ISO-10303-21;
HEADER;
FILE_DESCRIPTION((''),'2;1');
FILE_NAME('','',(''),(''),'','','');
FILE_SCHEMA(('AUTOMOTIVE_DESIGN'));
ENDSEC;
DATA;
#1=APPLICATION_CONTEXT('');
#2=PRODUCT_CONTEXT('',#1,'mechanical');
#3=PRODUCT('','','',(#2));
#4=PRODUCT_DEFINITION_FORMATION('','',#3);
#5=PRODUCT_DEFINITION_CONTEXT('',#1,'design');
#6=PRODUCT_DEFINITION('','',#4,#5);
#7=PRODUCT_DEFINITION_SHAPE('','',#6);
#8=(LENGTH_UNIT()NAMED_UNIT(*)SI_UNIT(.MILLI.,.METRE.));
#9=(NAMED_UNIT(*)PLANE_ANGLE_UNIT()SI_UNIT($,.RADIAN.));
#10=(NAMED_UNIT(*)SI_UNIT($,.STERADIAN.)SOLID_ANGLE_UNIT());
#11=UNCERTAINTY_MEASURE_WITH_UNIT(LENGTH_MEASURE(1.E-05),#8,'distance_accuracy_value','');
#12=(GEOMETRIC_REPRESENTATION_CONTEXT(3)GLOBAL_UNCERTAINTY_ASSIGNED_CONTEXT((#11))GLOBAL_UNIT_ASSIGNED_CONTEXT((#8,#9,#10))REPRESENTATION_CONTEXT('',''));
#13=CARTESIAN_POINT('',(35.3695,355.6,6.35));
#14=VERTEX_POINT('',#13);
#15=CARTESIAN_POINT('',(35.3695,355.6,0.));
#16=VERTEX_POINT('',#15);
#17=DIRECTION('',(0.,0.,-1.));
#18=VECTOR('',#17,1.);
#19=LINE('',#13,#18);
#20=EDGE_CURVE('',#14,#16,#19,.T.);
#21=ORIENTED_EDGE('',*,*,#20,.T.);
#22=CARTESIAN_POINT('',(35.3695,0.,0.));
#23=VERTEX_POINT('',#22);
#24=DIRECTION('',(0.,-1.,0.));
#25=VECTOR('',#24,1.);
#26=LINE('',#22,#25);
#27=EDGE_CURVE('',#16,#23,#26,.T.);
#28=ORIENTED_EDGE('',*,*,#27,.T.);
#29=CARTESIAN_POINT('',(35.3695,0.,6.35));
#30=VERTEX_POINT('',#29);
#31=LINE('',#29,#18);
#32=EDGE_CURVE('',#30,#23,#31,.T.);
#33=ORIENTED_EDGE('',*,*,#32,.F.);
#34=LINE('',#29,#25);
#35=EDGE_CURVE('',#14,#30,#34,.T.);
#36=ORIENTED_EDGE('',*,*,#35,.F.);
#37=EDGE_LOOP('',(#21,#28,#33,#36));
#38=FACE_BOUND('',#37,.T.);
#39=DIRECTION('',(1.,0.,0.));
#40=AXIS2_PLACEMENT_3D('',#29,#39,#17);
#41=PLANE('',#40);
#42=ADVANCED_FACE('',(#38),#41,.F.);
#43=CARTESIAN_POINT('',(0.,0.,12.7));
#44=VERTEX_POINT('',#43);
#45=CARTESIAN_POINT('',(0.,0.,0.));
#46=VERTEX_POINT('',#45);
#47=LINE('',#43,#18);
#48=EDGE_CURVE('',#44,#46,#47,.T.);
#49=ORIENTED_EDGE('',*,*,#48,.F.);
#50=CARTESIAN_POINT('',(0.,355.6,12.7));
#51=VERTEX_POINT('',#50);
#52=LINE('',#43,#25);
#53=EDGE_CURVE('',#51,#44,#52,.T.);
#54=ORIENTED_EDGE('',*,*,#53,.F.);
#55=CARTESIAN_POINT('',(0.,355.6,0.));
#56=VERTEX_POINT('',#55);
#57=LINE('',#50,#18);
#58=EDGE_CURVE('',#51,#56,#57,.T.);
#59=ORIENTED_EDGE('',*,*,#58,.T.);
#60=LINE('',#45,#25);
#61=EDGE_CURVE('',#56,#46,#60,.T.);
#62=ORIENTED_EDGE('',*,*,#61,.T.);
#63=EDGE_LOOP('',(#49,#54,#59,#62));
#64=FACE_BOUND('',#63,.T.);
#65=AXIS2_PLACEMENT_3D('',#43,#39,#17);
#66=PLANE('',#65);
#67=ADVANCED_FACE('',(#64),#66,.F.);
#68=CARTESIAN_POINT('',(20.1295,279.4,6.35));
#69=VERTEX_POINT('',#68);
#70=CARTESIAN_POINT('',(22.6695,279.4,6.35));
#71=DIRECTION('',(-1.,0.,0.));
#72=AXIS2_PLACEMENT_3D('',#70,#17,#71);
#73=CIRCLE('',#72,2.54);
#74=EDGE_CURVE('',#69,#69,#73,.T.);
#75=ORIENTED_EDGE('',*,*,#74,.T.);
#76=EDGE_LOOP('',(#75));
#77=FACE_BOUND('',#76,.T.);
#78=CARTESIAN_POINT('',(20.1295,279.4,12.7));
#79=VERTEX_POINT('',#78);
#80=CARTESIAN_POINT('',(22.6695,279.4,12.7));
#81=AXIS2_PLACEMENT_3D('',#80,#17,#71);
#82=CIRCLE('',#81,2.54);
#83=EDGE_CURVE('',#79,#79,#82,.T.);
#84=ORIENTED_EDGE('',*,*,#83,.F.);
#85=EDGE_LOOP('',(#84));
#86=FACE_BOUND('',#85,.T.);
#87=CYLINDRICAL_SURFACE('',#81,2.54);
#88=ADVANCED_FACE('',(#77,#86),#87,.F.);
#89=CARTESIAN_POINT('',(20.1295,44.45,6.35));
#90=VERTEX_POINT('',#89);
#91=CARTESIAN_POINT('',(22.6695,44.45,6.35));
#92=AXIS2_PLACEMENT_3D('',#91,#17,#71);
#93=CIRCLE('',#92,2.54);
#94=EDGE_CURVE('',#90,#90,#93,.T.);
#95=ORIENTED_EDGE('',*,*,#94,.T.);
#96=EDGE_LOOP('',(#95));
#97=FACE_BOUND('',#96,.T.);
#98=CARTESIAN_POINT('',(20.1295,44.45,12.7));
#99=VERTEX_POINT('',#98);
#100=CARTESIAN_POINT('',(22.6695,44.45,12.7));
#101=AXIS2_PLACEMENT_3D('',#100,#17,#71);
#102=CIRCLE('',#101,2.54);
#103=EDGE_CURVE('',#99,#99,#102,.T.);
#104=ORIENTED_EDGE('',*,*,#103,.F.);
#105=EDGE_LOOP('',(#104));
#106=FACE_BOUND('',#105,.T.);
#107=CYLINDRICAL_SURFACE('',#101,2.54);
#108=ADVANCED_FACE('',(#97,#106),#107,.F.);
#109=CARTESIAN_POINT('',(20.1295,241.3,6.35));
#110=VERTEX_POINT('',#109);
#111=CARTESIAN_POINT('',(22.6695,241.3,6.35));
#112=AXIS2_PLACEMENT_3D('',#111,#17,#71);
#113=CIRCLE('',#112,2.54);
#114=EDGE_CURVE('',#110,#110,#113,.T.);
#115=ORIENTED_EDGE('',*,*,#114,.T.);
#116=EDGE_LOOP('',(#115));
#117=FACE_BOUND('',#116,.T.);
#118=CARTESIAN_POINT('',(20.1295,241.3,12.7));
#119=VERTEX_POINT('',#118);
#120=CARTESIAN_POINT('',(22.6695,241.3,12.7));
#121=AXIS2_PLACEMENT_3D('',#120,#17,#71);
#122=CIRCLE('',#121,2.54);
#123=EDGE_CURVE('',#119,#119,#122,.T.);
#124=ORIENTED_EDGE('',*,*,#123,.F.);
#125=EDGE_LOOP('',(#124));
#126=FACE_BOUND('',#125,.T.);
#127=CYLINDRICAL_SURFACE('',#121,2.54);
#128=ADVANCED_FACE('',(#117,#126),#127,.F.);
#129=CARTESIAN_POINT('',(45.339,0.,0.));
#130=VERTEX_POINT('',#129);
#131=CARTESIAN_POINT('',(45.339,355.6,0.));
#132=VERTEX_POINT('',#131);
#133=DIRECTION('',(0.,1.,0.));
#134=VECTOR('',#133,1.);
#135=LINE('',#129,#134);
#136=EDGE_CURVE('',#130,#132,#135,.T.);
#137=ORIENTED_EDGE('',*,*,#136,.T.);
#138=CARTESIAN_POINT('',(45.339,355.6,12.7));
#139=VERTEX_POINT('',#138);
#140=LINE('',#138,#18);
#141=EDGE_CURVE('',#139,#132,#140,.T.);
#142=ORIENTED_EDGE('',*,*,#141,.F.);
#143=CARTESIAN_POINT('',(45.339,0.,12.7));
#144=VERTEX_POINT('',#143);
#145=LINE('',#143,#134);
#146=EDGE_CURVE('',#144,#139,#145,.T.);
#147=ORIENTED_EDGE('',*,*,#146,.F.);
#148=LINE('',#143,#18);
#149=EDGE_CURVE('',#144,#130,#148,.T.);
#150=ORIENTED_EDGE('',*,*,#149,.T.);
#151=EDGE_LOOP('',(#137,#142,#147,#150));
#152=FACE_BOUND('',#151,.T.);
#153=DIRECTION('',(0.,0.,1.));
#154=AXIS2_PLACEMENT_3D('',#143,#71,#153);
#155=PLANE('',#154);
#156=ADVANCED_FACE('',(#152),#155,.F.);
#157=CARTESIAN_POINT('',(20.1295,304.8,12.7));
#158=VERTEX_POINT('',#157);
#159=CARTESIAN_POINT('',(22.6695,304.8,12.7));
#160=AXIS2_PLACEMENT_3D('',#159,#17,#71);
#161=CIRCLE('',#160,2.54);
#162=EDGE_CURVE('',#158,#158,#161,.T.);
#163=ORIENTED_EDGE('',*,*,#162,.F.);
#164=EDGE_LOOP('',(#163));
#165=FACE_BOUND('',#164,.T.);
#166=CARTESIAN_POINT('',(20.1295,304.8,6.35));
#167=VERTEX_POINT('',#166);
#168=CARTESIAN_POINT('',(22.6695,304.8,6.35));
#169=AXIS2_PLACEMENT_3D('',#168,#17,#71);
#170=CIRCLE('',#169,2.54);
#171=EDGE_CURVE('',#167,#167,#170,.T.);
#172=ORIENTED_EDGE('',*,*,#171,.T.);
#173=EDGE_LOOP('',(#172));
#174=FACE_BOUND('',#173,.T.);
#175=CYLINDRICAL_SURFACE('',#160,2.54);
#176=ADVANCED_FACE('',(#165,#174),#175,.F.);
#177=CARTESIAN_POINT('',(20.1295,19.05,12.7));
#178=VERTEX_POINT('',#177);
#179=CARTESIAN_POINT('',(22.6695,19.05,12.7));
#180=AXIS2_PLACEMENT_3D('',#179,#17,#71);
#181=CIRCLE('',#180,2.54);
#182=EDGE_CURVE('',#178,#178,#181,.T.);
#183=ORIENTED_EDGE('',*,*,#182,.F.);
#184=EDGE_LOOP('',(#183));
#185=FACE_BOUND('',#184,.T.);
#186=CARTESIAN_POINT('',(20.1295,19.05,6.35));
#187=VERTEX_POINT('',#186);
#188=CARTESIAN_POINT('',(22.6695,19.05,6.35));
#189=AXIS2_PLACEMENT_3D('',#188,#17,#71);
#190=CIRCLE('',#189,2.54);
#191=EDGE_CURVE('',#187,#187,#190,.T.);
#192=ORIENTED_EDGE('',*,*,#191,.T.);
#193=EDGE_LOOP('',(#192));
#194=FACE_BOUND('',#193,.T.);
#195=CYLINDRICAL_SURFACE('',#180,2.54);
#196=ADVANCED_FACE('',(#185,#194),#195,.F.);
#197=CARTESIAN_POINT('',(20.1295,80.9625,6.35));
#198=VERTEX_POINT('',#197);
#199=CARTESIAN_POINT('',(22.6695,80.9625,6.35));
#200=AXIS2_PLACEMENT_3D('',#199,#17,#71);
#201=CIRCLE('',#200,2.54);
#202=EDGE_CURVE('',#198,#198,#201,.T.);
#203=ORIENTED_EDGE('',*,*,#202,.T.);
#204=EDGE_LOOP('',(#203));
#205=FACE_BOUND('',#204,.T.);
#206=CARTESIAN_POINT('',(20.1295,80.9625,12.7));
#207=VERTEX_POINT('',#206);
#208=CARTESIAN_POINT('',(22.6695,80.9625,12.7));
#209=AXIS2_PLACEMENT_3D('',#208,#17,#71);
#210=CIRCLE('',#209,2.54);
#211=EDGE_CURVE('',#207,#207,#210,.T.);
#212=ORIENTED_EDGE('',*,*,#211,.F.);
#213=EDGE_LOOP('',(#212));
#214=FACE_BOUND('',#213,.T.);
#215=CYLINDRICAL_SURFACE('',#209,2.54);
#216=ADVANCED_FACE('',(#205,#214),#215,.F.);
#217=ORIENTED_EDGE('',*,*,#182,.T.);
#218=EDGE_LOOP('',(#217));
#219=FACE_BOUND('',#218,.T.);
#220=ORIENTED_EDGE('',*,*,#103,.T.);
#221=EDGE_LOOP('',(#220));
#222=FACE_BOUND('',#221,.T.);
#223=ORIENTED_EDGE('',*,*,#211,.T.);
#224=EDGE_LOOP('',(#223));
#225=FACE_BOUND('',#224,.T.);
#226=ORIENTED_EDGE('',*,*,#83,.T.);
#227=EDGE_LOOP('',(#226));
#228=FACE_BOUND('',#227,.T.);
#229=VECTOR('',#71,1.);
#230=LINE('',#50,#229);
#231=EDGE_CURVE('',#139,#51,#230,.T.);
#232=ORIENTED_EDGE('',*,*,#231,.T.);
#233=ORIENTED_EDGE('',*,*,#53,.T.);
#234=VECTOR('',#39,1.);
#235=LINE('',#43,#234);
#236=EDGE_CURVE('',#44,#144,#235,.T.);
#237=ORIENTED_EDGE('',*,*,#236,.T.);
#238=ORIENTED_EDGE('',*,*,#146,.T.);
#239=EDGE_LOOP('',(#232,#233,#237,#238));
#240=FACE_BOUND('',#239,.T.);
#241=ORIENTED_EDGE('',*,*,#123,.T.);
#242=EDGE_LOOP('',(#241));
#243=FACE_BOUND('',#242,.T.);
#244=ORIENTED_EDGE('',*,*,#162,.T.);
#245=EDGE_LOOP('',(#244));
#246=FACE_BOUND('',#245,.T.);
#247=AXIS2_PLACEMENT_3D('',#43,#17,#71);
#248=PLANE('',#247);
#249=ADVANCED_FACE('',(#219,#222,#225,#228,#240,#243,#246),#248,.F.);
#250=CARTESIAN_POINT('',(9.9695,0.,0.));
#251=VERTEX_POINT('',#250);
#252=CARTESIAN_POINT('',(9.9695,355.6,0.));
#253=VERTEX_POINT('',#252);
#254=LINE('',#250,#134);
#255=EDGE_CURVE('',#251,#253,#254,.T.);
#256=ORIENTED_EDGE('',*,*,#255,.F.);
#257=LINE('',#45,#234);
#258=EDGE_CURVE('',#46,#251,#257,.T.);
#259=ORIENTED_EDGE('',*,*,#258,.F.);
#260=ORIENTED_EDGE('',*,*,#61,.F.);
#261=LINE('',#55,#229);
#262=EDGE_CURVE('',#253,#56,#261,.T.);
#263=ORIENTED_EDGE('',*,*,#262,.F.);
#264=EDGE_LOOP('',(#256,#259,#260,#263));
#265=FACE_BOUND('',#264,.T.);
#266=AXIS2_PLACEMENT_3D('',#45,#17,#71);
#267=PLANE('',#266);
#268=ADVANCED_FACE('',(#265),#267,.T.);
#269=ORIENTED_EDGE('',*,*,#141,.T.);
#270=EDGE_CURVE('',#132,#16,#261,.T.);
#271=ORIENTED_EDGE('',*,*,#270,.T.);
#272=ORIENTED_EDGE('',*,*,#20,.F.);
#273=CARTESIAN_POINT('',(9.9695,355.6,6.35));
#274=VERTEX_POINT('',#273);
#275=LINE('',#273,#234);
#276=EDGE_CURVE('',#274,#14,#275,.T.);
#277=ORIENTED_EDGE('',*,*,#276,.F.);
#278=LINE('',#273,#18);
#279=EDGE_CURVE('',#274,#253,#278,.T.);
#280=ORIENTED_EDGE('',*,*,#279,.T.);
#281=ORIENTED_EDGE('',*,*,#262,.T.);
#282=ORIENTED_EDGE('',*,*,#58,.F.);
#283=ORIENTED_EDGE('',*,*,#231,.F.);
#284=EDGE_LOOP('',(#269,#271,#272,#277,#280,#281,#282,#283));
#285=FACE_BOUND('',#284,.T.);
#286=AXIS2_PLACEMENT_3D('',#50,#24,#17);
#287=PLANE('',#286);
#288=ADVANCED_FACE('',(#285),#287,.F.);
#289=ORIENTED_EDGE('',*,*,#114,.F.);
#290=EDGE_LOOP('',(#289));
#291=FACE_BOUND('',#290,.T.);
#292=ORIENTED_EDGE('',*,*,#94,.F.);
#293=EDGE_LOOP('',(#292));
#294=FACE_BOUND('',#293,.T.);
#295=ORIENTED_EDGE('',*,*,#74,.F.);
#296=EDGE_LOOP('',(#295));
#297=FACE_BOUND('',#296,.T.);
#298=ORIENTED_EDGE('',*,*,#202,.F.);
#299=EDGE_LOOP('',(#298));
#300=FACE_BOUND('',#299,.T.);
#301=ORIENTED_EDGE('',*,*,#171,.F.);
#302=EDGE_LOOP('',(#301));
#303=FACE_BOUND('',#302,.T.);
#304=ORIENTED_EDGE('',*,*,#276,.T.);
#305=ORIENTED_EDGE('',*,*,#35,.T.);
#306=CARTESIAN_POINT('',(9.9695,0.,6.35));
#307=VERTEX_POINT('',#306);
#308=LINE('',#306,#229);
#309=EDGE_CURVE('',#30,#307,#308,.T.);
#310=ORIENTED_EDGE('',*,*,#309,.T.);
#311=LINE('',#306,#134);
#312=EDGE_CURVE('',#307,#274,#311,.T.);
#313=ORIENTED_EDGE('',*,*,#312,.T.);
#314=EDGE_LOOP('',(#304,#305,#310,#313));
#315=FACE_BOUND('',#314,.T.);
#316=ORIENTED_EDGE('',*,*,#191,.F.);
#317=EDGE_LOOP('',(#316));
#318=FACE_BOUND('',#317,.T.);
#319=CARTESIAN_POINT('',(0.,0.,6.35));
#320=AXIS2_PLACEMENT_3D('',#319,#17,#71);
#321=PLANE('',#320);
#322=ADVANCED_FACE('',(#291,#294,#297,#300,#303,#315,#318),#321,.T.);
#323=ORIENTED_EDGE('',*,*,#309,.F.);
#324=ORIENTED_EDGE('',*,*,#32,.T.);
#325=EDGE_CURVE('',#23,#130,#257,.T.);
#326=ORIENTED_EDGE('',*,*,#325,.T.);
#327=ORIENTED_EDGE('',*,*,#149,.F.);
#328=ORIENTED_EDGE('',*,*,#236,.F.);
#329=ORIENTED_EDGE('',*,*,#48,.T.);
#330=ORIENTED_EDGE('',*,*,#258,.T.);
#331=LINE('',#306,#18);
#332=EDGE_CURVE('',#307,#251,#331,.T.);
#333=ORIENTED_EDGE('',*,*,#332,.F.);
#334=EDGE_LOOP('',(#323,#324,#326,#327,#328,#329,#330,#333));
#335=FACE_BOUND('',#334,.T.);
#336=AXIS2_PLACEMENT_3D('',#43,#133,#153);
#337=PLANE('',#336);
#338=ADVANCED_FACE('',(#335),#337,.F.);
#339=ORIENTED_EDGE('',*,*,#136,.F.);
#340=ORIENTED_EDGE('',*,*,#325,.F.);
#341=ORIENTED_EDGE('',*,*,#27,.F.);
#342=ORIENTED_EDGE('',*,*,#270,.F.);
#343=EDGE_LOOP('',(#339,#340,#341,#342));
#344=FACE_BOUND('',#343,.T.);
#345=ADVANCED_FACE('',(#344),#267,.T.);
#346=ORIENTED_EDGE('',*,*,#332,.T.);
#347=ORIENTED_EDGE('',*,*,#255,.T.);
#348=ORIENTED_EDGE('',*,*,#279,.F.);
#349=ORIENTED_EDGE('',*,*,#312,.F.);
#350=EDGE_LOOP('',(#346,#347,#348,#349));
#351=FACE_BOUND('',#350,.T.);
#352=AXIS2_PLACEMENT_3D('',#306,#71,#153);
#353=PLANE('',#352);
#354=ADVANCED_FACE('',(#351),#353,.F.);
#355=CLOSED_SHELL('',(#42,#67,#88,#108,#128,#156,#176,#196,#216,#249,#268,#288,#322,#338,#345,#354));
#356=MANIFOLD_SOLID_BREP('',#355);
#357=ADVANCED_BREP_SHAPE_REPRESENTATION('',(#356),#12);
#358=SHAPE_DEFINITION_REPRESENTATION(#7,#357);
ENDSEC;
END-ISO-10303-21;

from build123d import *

# Parameters (mm, degrees)
SKETCH1_W           = 45.339
SKETCH1_H           = 355.6
BOSS_EXTRUDE1_DEPTH = 12.7
SKETCH2_W           = 25.4
SKETCH2_H           = 355.6
CUT_EXTRUDE1_DEPTH  = 6.35
SKETCH3_R           = 2.54
CUT_EXTRUDE2_DEPTH  = 7.35


with BuildPart() as part:
    # Sketch1 → Boss-Extrude1 (new body)
    with BuildSketch(Plane.XY):
        with Locations((22.6695, 177.8)):
            Rectangle(SKETCH1_W, SKETCH1_H)
    extrude(amount=BOSS_EXTRUDE1_DEPTH)

    # Sketch2 → Cut-Extrude1 (cut)
    with BuildSketch(Plane(origin=(0, 0, 0), x_dir=(-1, 0, 0), z_dir=(0, 0, -1))):
        with Locations((-22.6695, 177.8)):
            Rectangle(SKETCH2_W, SKETCH2_H)
    extrude(amount=-CUT_EXTRUDE1_DEPTH, mode=Mode.SUBTRACT)

    # Sketch3 → Cut-Extrude2 (cut, through all)
    with BuildSketch(Plane(origin=(0, 0, 6.35), x_dir=(-1, 0, 0), z_dir=(0, 0, -1))):
        with Locations((-22.6695, 19.05)):
            Circle(SKETCH3_R)
        with Locations((-22.6695, 44.45)):
            Circle(SKETCH3_R)
        with Locations((-22.6695, 304.8)):
            Circle(SKETCH3_R)
        with Locations((-22.6695, 279.4)):
            Circle(SKETCH3_R)
        with Locations((-22.6695, 241.3)):
            Circle(SKETCH3_R)
        with Locations((-22.6695, 80.9625)):
            Circle(SKETCH3_R)
    extrude(amount=-CUT_EXTRUDE2_DEPTH, mode=Mode.SUBTRACT)


solid = part.part
